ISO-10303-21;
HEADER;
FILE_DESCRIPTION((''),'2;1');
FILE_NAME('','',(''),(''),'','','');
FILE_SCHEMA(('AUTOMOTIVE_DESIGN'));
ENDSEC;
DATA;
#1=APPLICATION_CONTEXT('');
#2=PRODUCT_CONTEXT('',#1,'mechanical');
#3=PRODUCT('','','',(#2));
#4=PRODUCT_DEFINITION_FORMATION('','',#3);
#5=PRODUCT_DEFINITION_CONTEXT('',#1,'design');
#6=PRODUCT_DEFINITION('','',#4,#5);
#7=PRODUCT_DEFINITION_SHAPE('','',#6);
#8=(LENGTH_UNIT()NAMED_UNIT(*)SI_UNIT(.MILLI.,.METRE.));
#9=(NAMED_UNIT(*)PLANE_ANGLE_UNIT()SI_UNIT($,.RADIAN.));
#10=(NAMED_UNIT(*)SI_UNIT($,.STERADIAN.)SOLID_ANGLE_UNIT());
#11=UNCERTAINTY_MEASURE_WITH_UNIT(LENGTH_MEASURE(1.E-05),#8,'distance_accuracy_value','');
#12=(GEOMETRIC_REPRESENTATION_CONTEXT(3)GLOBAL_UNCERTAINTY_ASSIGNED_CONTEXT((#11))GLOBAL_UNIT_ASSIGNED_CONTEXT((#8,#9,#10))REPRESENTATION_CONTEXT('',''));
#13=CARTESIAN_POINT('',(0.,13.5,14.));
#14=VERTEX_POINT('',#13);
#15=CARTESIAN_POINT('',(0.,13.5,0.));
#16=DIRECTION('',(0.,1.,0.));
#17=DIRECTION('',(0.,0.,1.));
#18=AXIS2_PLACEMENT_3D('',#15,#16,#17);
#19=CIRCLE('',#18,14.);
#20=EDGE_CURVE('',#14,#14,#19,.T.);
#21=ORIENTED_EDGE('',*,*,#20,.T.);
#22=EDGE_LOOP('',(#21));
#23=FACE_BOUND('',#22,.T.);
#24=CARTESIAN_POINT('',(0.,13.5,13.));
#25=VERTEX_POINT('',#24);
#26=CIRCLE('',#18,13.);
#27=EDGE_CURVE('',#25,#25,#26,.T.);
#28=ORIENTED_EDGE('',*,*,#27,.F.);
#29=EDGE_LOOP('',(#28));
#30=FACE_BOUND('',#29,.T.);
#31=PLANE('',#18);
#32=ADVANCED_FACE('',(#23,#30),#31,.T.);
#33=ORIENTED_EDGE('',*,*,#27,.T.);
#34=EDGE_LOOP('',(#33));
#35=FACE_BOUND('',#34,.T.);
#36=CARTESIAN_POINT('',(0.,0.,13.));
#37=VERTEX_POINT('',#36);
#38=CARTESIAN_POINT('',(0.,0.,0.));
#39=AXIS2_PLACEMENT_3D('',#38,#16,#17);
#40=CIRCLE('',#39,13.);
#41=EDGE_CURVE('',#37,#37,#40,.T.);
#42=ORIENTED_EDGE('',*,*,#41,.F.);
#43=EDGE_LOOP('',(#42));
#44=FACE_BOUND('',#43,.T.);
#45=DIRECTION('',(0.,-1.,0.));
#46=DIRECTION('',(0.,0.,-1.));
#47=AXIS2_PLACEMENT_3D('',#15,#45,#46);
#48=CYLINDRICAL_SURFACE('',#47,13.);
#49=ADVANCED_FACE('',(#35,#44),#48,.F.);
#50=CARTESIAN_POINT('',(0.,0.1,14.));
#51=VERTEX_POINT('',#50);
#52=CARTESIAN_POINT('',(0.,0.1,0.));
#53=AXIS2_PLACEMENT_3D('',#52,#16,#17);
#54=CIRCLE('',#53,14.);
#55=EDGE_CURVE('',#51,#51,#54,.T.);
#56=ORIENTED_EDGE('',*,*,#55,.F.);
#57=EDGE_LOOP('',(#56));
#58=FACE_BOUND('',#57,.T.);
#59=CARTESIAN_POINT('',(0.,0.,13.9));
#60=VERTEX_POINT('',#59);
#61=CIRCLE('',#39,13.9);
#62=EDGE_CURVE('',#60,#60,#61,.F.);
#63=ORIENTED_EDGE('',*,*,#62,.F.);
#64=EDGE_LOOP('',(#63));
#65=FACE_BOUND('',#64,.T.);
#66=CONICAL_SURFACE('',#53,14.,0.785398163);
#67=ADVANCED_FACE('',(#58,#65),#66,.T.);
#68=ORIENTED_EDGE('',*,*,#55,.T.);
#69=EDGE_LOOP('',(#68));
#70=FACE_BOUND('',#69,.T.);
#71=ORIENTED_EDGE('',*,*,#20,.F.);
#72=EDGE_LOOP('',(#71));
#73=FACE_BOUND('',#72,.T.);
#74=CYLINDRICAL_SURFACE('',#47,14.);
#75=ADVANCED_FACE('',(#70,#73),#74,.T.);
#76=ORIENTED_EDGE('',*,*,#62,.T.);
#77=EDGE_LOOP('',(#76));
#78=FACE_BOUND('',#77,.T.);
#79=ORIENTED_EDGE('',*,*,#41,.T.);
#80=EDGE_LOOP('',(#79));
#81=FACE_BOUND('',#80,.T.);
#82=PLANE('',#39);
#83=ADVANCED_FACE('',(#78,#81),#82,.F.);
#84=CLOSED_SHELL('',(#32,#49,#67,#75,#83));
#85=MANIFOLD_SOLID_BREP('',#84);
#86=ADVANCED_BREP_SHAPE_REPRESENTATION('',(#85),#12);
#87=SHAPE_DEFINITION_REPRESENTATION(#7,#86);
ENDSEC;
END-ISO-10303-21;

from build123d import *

# Parameters (mm, degrees)
CROQUIS1_R              = 14
CROQUIS1_R_2            = 13
SALIENTE_EXTRUIR1_DEPTH = 13.5
CHAFL_N1_SIZE           = 0.1


with BuildPart() as part:
    # Croquis1 → Saliente-Extruir1 (new body)
    with BuildSketch(Plane(origin=(0, 0, 0), x_dir=(1, 0, 0), z_dir=(0, 1, 0))):
        Circle(CROQUIS1_R)
        Circle(CROQUIS1_R_2, mode=Mode.SUBTRACT)
    extrude(amount=SALIENTE_EXTRUIR1_DEPTH)

    # Chaflán1
    chafl_n1_edges = [part.edges().sort_by_distance(p)[0] for p in [
        (-14, 0, 0),
    ]]
    chamfer(chafl_n1_edges, length=CHAFL_N1_SIZE)


solid = part.part
